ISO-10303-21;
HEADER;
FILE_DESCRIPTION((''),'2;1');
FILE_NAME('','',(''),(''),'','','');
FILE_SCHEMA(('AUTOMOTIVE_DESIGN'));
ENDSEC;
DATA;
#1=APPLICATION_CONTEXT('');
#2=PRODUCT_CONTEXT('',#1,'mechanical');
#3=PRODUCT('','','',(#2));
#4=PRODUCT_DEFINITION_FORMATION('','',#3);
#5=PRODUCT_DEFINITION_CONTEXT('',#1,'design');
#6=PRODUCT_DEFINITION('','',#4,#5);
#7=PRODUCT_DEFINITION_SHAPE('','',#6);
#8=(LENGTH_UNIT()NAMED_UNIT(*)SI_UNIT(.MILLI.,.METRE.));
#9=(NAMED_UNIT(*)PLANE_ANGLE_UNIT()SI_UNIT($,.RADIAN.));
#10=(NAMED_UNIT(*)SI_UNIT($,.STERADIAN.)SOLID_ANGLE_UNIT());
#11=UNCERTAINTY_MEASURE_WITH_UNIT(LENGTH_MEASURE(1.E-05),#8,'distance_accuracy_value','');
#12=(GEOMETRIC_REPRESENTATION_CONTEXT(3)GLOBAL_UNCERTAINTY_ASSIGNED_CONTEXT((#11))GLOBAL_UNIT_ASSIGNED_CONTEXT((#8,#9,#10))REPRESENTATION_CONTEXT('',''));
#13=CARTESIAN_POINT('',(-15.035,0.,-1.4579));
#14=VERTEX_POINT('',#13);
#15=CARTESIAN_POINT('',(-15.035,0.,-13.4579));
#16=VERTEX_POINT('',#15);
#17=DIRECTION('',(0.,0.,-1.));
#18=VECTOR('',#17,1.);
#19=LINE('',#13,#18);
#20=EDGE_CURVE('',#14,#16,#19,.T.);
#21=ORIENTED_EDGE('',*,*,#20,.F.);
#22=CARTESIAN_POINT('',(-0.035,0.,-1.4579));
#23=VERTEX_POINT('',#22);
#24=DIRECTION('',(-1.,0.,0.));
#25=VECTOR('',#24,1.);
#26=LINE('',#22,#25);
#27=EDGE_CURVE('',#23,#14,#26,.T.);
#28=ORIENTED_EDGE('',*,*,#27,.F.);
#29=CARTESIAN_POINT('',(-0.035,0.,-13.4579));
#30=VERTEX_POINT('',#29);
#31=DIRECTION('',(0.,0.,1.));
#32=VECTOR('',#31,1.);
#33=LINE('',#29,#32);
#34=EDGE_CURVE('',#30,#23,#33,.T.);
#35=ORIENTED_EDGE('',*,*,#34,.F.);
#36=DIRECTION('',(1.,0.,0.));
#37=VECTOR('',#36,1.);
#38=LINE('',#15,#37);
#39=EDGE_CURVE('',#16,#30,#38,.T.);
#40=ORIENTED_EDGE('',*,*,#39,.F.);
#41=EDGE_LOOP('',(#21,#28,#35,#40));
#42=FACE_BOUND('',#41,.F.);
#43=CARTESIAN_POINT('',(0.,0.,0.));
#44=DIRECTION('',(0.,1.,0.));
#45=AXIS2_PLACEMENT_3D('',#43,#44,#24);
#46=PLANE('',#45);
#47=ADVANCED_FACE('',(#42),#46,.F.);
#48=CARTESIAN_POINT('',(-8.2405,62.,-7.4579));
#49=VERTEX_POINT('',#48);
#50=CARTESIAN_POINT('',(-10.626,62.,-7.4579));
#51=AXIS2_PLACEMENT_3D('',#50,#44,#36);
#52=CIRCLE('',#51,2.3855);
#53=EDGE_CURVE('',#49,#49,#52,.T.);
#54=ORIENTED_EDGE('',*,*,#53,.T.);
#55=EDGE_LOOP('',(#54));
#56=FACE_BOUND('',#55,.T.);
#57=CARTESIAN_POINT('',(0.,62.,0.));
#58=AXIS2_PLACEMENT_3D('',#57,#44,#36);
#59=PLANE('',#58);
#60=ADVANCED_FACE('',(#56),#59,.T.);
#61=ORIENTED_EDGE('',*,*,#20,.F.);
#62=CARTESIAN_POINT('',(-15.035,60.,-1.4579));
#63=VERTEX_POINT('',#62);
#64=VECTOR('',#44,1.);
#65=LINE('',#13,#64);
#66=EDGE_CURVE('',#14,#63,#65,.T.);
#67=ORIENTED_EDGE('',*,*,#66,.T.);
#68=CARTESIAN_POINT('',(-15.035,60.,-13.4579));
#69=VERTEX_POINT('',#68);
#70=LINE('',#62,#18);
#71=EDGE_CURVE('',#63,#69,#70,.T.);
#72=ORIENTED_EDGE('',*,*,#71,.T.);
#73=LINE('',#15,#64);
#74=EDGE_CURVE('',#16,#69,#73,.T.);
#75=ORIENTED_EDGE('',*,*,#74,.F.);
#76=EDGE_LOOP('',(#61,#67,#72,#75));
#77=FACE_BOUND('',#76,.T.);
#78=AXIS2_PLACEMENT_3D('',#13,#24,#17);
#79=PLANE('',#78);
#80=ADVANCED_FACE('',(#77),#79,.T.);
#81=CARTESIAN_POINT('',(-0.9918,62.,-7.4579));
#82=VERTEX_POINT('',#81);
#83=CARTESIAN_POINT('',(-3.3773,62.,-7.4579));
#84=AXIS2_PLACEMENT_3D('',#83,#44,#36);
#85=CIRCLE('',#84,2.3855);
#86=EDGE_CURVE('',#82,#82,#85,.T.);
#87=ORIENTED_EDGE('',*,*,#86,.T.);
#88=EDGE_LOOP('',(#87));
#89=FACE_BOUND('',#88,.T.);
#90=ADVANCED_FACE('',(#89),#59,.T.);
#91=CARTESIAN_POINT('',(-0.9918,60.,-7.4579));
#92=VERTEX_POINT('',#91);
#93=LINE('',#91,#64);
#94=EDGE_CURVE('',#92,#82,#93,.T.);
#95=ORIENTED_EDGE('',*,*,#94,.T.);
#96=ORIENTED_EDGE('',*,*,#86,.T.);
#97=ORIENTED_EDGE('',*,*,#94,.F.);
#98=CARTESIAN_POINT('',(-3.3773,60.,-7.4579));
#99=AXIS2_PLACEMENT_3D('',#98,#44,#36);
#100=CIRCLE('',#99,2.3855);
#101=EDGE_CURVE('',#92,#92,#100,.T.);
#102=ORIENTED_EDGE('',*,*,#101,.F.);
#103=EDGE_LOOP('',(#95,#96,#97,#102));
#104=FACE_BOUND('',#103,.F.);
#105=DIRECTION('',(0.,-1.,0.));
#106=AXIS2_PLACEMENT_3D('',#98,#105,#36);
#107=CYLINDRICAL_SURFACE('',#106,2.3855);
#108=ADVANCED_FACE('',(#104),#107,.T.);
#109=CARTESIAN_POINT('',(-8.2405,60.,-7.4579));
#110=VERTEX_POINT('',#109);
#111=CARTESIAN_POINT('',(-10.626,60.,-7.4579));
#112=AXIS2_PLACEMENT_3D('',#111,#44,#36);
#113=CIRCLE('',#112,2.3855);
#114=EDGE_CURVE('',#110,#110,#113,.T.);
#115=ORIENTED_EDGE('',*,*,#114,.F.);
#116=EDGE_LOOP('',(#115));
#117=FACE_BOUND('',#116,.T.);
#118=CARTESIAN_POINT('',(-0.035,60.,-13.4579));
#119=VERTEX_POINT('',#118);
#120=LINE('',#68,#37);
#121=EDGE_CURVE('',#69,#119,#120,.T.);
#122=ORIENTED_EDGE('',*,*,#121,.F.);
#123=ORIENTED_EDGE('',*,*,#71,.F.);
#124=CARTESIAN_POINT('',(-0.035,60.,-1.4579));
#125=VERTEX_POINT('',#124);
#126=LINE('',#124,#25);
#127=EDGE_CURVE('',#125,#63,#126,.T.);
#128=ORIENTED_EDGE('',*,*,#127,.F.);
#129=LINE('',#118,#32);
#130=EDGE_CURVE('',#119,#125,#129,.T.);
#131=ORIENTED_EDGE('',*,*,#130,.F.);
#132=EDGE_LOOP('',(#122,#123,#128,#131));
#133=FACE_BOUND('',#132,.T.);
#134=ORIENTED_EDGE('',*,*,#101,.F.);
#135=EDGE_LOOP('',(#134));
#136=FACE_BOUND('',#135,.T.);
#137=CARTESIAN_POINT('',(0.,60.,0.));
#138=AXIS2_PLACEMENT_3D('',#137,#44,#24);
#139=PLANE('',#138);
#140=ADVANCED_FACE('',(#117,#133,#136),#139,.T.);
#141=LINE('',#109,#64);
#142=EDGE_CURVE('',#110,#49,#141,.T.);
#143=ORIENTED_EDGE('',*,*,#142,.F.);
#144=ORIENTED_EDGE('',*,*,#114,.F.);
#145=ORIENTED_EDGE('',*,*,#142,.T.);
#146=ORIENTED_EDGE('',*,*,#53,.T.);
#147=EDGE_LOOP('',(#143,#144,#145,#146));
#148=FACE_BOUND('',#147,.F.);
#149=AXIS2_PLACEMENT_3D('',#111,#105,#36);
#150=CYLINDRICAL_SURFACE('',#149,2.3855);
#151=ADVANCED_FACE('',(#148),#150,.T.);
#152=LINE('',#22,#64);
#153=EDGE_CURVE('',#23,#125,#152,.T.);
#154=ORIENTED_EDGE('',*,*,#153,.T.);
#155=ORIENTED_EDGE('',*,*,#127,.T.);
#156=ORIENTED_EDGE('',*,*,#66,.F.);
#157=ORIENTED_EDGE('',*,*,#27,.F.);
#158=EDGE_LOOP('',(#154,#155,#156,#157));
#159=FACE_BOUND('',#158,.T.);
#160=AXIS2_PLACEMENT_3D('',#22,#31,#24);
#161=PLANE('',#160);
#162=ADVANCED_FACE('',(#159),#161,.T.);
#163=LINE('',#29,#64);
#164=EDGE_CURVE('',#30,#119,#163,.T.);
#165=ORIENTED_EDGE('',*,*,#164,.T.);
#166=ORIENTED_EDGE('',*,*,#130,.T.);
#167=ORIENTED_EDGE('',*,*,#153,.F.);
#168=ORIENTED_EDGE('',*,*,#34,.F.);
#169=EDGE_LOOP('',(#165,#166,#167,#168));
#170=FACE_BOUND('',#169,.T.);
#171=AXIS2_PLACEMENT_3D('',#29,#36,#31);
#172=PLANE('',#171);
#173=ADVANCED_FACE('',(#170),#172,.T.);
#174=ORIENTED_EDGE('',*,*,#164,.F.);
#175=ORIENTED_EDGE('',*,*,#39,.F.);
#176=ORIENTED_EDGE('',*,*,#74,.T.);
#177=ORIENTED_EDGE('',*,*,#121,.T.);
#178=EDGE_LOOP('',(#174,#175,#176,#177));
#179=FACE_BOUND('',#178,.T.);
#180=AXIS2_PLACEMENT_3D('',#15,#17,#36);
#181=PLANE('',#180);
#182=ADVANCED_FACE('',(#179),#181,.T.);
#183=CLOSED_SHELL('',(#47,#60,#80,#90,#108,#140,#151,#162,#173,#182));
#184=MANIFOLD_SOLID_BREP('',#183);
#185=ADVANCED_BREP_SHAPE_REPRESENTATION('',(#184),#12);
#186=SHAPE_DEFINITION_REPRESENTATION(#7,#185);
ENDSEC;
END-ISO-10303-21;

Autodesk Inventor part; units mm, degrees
ref_plane "YZ Plane" through (0, 0, 0) normal (1, 0, 0) x (0, 1, 0)
ref_plane "XZ Plane" through (0, 0, 0) normal (0, 1, 0) x (-1, 0, 0)
ref_plane "XY Plane" through (0, 0, 0) normal (0, 0, 1) x (1, 0, 0)
sketch "Sketch1" plane through (0, 0, 0) normal (0, 1, 0) x (-1, 0, 0)
  line L0 (0.035, -1.4579) -> (15.035, -1.4579)
  line L1 (15.035, -1.4579) -> (15.035, -13.4579)
  line L2 (15.035, -13.4579) -> (0.035, -13.4579)
  line L3 (0.035, -13.4579) -> (0.035, -1.4579)
  point P0 (0, 0)
  dimension "d0" = 12
  dimension "d1" = 15
extrude "Extrusion1" add sketch "Sketch1" along normal blind 60
sketch "Sketch2" plane through (0, 60, 0) normal (0, 1, 0) x (1, 0, 0)
  circle A0 centre (-10.626, 7.4579) radius 2.3855
  circle A1 centre (-3.3773, 7.4579) radius 2.3855
  point P0 (0, 0)
extrude "Extrusion2" add sketch "Sketch2" along normal blind 2
sketch "Sketch3" plane through (-15.035, 0, -1.4579) normal (0, 0, 1) x (1, 0, 0)
  line L0 (2.6785, 2.7506) -> (2.6785, 53.826) construction
  line L1 (2.6785, 53.826) -> (11.6785, 53.826) construction
  line L2 (11.6785, 53.826) -> (11.6785, 2.7506) construction
  line L3 (11.6785, 2.7506) -> (2.6785, 2.7506) construction
  point P0 (15.035, 0)
  dimension "d2" = 60
  dimension "d3" = 0
properties part number "battery"
